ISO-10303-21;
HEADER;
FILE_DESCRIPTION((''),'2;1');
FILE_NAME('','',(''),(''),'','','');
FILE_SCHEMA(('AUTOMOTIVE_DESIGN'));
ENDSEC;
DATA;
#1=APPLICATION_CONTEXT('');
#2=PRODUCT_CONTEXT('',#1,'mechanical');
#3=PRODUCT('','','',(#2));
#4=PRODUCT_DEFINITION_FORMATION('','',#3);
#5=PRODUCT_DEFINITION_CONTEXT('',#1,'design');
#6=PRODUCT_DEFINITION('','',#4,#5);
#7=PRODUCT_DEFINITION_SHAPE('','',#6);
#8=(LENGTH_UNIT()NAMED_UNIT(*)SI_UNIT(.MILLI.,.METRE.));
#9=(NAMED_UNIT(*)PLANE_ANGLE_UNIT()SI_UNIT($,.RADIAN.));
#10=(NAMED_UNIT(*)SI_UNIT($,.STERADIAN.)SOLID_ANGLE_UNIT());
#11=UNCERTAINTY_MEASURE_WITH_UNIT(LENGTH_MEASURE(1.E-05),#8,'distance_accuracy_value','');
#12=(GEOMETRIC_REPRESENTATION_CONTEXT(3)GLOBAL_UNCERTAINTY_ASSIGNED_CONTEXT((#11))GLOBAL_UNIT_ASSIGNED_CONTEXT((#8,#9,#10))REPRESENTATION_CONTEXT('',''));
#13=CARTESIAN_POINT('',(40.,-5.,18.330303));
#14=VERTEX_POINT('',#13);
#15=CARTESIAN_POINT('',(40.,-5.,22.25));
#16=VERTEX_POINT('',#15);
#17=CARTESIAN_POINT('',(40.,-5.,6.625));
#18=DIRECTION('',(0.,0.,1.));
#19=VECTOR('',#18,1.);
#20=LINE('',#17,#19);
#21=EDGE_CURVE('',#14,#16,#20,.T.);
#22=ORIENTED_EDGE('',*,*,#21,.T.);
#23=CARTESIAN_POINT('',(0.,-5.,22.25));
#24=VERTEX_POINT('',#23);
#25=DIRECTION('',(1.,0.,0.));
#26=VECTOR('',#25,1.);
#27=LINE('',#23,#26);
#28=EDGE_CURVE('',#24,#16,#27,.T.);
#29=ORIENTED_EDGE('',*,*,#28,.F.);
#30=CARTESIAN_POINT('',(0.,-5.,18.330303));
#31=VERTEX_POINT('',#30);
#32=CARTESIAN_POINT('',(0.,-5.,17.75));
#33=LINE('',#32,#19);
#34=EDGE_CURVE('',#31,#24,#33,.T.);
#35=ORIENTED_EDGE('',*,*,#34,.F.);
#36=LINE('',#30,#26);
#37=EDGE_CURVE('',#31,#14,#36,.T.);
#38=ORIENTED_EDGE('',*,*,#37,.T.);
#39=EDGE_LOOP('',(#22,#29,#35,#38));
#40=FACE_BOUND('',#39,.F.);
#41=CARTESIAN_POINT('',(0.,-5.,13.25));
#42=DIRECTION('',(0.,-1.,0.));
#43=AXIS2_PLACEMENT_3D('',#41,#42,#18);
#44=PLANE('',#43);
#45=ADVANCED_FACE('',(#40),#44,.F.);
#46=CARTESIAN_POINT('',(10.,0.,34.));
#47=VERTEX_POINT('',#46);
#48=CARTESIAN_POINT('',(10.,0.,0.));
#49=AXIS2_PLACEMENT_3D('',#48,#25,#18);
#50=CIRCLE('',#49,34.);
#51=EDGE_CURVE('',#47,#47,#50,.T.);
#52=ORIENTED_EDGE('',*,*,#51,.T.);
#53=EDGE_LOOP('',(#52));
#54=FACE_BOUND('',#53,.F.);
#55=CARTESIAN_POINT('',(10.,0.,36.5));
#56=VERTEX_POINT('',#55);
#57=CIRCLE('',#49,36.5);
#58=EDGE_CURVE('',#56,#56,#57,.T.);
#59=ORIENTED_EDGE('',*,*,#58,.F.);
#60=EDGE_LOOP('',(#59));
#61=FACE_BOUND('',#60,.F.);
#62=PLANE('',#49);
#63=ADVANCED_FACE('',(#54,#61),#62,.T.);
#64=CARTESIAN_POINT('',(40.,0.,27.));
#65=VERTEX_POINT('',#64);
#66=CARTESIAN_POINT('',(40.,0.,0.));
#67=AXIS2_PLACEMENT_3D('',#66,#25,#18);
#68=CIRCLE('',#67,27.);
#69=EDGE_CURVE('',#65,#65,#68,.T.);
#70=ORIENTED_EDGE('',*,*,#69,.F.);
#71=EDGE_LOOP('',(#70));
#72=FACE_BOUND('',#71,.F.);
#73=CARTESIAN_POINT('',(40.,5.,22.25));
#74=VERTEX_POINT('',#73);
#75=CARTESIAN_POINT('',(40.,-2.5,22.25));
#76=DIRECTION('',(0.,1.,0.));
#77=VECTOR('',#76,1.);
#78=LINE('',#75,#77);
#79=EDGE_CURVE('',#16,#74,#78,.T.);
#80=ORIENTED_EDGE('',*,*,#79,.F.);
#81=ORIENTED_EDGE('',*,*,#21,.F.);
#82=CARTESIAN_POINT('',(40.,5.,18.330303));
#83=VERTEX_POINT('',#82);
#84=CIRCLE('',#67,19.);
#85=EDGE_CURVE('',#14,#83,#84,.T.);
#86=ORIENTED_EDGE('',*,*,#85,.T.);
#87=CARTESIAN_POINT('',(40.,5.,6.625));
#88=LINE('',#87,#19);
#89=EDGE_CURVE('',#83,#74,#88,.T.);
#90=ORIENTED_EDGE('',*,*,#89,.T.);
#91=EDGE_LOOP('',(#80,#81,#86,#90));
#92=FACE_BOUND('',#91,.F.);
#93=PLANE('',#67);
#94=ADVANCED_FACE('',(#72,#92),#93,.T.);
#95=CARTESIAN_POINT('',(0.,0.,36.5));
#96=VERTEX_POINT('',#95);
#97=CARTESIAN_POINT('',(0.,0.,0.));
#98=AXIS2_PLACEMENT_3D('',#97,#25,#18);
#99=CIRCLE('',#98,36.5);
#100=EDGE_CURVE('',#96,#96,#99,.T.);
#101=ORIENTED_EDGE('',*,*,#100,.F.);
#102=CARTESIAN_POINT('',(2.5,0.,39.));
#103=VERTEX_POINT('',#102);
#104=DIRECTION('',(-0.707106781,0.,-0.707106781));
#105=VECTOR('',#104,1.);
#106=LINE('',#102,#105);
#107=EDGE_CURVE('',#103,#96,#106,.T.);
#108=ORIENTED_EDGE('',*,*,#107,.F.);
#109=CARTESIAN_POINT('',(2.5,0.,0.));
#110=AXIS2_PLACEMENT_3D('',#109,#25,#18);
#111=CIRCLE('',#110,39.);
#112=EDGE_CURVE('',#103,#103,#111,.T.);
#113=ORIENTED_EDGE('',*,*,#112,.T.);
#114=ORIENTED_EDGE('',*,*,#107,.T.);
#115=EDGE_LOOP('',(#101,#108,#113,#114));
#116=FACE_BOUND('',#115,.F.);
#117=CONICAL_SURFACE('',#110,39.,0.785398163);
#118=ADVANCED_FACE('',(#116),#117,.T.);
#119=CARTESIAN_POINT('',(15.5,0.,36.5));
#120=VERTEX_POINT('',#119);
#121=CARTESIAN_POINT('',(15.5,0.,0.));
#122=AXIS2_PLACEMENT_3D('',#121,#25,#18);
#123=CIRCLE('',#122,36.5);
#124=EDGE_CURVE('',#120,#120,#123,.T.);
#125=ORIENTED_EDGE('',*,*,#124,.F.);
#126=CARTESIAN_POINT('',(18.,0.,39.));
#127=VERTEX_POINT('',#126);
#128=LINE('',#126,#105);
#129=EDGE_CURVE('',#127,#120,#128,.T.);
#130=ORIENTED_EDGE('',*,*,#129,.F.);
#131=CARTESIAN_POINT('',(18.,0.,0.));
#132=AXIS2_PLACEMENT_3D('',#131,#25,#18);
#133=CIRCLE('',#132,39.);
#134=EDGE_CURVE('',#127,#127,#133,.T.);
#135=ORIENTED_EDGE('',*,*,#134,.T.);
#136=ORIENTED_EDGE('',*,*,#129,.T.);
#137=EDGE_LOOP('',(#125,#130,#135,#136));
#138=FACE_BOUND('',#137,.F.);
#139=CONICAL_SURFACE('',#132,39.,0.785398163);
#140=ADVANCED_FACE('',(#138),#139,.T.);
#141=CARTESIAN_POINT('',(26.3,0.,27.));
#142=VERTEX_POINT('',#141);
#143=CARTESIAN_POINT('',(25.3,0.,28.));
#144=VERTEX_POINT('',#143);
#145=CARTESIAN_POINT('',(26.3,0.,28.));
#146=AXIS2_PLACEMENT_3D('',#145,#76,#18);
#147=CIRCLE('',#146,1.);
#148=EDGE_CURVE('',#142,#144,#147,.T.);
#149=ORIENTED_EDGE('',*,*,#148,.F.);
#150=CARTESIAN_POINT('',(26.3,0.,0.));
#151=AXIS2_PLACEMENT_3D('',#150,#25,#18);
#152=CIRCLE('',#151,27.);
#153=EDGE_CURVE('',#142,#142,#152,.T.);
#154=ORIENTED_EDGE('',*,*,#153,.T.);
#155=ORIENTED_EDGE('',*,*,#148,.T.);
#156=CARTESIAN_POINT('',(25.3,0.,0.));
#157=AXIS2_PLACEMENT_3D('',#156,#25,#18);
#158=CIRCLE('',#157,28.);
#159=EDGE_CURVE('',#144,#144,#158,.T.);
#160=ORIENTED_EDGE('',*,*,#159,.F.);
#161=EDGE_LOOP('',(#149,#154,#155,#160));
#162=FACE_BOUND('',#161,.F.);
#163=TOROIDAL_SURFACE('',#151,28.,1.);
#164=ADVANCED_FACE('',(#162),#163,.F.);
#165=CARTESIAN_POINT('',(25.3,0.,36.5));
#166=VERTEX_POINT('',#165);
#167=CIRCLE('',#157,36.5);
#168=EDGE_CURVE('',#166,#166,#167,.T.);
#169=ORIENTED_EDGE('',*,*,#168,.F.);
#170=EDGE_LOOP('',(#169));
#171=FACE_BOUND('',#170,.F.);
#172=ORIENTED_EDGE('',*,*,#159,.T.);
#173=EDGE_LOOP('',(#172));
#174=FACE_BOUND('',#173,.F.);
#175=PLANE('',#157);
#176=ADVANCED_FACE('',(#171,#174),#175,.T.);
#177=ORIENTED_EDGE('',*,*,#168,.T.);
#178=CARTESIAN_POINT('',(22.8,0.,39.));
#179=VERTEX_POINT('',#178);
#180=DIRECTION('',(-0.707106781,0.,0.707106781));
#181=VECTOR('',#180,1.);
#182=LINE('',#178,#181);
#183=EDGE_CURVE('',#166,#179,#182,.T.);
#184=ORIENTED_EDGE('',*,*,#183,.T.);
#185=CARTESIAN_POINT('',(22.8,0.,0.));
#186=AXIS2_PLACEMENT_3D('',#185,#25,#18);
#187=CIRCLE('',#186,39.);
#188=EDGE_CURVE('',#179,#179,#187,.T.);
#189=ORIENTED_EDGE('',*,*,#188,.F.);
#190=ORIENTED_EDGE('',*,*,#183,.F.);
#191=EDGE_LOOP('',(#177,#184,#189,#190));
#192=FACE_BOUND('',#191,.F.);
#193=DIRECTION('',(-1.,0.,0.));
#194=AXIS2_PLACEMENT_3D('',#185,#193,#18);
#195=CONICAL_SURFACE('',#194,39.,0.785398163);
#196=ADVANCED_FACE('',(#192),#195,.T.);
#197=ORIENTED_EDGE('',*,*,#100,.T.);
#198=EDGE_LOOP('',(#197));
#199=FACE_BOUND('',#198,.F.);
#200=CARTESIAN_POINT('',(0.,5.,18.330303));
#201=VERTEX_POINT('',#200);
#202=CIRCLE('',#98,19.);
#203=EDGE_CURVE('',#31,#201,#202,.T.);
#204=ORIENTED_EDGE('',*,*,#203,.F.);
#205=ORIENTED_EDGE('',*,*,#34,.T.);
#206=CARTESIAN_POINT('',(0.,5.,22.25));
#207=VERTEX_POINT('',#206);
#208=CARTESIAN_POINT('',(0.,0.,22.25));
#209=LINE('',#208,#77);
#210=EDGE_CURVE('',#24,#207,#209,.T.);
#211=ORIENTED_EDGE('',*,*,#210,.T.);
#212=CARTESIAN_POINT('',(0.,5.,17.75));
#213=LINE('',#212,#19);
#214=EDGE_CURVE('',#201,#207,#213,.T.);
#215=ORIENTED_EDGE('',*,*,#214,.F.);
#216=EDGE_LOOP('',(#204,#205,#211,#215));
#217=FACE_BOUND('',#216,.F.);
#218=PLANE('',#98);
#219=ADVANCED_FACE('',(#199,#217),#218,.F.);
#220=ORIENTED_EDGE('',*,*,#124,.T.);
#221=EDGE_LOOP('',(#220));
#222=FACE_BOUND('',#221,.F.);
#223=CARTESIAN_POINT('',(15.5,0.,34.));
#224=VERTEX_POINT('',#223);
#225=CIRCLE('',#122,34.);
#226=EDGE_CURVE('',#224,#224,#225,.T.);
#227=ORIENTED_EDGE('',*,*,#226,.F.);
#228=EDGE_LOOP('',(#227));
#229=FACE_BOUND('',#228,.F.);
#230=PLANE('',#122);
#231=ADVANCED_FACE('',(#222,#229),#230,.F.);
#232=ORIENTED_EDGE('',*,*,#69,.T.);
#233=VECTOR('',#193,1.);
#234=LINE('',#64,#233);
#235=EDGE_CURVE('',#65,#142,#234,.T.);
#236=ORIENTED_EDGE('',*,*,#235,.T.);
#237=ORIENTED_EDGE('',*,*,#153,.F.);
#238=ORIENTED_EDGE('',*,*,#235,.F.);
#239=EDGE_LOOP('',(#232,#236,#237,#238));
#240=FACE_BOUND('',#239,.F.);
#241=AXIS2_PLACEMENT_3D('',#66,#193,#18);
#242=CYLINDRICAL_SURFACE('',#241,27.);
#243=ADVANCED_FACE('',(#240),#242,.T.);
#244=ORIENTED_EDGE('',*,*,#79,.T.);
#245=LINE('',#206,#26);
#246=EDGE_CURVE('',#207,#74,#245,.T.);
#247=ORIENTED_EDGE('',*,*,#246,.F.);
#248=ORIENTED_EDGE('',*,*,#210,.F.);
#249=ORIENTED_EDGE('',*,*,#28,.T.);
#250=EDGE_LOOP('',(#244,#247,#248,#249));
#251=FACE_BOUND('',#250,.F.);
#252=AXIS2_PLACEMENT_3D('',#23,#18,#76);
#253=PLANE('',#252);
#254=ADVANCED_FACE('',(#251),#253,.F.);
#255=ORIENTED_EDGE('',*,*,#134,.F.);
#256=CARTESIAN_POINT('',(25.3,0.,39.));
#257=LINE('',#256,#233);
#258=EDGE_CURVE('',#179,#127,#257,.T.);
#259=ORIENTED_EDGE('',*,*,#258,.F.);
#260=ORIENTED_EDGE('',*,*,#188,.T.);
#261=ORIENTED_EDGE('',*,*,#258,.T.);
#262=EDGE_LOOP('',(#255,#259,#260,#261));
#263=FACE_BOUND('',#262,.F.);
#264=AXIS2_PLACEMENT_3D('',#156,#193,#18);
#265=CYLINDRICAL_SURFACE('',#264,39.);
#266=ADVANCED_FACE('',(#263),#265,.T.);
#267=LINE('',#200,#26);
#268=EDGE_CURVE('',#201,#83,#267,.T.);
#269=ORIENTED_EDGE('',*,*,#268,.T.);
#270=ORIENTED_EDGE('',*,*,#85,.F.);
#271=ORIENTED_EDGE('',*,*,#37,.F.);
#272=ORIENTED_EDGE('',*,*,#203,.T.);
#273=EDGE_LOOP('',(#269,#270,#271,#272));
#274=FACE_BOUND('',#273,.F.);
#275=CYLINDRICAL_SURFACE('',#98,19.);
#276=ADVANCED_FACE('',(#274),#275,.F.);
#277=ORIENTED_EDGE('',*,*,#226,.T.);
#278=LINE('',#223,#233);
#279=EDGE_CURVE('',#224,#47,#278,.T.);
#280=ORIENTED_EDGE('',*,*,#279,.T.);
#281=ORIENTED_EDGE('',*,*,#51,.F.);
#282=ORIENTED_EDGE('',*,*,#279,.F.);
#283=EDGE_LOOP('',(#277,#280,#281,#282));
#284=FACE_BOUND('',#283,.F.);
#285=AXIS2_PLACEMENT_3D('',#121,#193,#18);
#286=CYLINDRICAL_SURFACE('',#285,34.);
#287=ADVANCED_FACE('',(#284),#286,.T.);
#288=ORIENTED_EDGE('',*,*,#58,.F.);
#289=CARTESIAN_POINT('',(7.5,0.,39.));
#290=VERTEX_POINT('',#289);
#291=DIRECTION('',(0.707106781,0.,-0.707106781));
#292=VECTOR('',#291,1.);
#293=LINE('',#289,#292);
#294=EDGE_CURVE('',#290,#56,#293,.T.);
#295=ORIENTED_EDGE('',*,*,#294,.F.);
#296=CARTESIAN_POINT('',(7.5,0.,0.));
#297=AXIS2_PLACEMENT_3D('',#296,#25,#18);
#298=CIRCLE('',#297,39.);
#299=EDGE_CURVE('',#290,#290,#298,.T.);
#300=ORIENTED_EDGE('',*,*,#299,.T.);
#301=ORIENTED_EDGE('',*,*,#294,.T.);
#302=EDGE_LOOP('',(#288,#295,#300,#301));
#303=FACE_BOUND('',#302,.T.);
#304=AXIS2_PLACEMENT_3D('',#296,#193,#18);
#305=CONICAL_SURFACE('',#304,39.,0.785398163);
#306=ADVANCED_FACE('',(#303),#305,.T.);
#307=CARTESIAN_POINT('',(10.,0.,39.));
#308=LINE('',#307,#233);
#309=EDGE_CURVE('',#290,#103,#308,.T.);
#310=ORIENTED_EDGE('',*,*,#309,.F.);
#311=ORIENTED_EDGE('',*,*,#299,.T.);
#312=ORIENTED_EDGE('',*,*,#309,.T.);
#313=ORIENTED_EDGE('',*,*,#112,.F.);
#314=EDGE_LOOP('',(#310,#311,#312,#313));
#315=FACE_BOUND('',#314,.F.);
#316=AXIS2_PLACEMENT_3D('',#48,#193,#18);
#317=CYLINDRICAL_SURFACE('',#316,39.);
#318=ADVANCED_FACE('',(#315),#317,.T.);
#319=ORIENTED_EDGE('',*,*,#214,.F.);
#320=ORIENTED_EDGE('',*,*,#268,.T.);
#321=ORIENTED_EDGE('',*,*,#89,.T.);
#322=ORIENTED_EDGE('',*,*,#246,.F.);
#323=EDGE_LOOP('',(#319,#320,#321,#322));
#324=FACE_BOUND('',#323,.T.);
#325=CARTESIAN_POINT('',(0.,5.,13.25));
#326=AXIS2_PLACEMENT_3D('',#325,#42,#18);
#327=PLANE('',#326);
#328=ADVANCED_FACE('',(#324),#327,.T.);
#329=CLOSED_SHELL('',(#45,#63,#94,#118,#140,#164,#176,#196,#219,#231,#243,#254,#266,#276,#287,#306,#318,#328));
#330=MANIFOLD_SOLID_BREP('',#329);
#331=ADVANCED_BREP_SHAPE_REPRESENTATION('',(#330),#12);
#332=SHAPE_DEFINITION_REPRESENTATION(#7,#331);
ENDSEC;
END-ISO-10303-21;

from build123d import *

# Parameters (mm, degrees)
F2_SIZE  = 2.5
F3_W     = 10
F3_H     = 9
F4_DEPTH = 40.001
F5_R     = 1


with BuildPart() as f1:
    # F0 (on Front) → F1 (revolve)
    with BuildSketch(Plane.XZ):
        Polygon((10, 39), (0, 39), (0, 19), (40, 19), (40, 27), (25.3, 27), (25.3, 39), (15.5, 39), (15.5, 34), (10, 34), align=None)
    revolve(axis=Axis((29.337285, 0, 0), (1, 0, 0)))

    # F2
    f2_edges = [f1.edges().sort_by_distance(p)[0] for p in [
        (0, 0, -39),
        (10, 0, -39),
        (15.5, 0, -39),
        (25.3, 0, -39),
    ]]
    chamfer(f2_edges, length=F2_SIZE)

    # F3 (on Right) → F4 (cut, through all)
    with BuildSketch(Plane.YZ):
        with Locations((0, 17.75)):
            Rectangle(F3_W, F3_H)
    extrude(amount=F4_DEPTH, mode=Mode.SUBTRACT)

    # F5
    f5_edges = [f1.edges().sort_by_distance(p)[0] for p in [
        (25.3, 0, -27),
    ]]
    fillet(f5_edges, radius=F5_R)


solid = f1.part
